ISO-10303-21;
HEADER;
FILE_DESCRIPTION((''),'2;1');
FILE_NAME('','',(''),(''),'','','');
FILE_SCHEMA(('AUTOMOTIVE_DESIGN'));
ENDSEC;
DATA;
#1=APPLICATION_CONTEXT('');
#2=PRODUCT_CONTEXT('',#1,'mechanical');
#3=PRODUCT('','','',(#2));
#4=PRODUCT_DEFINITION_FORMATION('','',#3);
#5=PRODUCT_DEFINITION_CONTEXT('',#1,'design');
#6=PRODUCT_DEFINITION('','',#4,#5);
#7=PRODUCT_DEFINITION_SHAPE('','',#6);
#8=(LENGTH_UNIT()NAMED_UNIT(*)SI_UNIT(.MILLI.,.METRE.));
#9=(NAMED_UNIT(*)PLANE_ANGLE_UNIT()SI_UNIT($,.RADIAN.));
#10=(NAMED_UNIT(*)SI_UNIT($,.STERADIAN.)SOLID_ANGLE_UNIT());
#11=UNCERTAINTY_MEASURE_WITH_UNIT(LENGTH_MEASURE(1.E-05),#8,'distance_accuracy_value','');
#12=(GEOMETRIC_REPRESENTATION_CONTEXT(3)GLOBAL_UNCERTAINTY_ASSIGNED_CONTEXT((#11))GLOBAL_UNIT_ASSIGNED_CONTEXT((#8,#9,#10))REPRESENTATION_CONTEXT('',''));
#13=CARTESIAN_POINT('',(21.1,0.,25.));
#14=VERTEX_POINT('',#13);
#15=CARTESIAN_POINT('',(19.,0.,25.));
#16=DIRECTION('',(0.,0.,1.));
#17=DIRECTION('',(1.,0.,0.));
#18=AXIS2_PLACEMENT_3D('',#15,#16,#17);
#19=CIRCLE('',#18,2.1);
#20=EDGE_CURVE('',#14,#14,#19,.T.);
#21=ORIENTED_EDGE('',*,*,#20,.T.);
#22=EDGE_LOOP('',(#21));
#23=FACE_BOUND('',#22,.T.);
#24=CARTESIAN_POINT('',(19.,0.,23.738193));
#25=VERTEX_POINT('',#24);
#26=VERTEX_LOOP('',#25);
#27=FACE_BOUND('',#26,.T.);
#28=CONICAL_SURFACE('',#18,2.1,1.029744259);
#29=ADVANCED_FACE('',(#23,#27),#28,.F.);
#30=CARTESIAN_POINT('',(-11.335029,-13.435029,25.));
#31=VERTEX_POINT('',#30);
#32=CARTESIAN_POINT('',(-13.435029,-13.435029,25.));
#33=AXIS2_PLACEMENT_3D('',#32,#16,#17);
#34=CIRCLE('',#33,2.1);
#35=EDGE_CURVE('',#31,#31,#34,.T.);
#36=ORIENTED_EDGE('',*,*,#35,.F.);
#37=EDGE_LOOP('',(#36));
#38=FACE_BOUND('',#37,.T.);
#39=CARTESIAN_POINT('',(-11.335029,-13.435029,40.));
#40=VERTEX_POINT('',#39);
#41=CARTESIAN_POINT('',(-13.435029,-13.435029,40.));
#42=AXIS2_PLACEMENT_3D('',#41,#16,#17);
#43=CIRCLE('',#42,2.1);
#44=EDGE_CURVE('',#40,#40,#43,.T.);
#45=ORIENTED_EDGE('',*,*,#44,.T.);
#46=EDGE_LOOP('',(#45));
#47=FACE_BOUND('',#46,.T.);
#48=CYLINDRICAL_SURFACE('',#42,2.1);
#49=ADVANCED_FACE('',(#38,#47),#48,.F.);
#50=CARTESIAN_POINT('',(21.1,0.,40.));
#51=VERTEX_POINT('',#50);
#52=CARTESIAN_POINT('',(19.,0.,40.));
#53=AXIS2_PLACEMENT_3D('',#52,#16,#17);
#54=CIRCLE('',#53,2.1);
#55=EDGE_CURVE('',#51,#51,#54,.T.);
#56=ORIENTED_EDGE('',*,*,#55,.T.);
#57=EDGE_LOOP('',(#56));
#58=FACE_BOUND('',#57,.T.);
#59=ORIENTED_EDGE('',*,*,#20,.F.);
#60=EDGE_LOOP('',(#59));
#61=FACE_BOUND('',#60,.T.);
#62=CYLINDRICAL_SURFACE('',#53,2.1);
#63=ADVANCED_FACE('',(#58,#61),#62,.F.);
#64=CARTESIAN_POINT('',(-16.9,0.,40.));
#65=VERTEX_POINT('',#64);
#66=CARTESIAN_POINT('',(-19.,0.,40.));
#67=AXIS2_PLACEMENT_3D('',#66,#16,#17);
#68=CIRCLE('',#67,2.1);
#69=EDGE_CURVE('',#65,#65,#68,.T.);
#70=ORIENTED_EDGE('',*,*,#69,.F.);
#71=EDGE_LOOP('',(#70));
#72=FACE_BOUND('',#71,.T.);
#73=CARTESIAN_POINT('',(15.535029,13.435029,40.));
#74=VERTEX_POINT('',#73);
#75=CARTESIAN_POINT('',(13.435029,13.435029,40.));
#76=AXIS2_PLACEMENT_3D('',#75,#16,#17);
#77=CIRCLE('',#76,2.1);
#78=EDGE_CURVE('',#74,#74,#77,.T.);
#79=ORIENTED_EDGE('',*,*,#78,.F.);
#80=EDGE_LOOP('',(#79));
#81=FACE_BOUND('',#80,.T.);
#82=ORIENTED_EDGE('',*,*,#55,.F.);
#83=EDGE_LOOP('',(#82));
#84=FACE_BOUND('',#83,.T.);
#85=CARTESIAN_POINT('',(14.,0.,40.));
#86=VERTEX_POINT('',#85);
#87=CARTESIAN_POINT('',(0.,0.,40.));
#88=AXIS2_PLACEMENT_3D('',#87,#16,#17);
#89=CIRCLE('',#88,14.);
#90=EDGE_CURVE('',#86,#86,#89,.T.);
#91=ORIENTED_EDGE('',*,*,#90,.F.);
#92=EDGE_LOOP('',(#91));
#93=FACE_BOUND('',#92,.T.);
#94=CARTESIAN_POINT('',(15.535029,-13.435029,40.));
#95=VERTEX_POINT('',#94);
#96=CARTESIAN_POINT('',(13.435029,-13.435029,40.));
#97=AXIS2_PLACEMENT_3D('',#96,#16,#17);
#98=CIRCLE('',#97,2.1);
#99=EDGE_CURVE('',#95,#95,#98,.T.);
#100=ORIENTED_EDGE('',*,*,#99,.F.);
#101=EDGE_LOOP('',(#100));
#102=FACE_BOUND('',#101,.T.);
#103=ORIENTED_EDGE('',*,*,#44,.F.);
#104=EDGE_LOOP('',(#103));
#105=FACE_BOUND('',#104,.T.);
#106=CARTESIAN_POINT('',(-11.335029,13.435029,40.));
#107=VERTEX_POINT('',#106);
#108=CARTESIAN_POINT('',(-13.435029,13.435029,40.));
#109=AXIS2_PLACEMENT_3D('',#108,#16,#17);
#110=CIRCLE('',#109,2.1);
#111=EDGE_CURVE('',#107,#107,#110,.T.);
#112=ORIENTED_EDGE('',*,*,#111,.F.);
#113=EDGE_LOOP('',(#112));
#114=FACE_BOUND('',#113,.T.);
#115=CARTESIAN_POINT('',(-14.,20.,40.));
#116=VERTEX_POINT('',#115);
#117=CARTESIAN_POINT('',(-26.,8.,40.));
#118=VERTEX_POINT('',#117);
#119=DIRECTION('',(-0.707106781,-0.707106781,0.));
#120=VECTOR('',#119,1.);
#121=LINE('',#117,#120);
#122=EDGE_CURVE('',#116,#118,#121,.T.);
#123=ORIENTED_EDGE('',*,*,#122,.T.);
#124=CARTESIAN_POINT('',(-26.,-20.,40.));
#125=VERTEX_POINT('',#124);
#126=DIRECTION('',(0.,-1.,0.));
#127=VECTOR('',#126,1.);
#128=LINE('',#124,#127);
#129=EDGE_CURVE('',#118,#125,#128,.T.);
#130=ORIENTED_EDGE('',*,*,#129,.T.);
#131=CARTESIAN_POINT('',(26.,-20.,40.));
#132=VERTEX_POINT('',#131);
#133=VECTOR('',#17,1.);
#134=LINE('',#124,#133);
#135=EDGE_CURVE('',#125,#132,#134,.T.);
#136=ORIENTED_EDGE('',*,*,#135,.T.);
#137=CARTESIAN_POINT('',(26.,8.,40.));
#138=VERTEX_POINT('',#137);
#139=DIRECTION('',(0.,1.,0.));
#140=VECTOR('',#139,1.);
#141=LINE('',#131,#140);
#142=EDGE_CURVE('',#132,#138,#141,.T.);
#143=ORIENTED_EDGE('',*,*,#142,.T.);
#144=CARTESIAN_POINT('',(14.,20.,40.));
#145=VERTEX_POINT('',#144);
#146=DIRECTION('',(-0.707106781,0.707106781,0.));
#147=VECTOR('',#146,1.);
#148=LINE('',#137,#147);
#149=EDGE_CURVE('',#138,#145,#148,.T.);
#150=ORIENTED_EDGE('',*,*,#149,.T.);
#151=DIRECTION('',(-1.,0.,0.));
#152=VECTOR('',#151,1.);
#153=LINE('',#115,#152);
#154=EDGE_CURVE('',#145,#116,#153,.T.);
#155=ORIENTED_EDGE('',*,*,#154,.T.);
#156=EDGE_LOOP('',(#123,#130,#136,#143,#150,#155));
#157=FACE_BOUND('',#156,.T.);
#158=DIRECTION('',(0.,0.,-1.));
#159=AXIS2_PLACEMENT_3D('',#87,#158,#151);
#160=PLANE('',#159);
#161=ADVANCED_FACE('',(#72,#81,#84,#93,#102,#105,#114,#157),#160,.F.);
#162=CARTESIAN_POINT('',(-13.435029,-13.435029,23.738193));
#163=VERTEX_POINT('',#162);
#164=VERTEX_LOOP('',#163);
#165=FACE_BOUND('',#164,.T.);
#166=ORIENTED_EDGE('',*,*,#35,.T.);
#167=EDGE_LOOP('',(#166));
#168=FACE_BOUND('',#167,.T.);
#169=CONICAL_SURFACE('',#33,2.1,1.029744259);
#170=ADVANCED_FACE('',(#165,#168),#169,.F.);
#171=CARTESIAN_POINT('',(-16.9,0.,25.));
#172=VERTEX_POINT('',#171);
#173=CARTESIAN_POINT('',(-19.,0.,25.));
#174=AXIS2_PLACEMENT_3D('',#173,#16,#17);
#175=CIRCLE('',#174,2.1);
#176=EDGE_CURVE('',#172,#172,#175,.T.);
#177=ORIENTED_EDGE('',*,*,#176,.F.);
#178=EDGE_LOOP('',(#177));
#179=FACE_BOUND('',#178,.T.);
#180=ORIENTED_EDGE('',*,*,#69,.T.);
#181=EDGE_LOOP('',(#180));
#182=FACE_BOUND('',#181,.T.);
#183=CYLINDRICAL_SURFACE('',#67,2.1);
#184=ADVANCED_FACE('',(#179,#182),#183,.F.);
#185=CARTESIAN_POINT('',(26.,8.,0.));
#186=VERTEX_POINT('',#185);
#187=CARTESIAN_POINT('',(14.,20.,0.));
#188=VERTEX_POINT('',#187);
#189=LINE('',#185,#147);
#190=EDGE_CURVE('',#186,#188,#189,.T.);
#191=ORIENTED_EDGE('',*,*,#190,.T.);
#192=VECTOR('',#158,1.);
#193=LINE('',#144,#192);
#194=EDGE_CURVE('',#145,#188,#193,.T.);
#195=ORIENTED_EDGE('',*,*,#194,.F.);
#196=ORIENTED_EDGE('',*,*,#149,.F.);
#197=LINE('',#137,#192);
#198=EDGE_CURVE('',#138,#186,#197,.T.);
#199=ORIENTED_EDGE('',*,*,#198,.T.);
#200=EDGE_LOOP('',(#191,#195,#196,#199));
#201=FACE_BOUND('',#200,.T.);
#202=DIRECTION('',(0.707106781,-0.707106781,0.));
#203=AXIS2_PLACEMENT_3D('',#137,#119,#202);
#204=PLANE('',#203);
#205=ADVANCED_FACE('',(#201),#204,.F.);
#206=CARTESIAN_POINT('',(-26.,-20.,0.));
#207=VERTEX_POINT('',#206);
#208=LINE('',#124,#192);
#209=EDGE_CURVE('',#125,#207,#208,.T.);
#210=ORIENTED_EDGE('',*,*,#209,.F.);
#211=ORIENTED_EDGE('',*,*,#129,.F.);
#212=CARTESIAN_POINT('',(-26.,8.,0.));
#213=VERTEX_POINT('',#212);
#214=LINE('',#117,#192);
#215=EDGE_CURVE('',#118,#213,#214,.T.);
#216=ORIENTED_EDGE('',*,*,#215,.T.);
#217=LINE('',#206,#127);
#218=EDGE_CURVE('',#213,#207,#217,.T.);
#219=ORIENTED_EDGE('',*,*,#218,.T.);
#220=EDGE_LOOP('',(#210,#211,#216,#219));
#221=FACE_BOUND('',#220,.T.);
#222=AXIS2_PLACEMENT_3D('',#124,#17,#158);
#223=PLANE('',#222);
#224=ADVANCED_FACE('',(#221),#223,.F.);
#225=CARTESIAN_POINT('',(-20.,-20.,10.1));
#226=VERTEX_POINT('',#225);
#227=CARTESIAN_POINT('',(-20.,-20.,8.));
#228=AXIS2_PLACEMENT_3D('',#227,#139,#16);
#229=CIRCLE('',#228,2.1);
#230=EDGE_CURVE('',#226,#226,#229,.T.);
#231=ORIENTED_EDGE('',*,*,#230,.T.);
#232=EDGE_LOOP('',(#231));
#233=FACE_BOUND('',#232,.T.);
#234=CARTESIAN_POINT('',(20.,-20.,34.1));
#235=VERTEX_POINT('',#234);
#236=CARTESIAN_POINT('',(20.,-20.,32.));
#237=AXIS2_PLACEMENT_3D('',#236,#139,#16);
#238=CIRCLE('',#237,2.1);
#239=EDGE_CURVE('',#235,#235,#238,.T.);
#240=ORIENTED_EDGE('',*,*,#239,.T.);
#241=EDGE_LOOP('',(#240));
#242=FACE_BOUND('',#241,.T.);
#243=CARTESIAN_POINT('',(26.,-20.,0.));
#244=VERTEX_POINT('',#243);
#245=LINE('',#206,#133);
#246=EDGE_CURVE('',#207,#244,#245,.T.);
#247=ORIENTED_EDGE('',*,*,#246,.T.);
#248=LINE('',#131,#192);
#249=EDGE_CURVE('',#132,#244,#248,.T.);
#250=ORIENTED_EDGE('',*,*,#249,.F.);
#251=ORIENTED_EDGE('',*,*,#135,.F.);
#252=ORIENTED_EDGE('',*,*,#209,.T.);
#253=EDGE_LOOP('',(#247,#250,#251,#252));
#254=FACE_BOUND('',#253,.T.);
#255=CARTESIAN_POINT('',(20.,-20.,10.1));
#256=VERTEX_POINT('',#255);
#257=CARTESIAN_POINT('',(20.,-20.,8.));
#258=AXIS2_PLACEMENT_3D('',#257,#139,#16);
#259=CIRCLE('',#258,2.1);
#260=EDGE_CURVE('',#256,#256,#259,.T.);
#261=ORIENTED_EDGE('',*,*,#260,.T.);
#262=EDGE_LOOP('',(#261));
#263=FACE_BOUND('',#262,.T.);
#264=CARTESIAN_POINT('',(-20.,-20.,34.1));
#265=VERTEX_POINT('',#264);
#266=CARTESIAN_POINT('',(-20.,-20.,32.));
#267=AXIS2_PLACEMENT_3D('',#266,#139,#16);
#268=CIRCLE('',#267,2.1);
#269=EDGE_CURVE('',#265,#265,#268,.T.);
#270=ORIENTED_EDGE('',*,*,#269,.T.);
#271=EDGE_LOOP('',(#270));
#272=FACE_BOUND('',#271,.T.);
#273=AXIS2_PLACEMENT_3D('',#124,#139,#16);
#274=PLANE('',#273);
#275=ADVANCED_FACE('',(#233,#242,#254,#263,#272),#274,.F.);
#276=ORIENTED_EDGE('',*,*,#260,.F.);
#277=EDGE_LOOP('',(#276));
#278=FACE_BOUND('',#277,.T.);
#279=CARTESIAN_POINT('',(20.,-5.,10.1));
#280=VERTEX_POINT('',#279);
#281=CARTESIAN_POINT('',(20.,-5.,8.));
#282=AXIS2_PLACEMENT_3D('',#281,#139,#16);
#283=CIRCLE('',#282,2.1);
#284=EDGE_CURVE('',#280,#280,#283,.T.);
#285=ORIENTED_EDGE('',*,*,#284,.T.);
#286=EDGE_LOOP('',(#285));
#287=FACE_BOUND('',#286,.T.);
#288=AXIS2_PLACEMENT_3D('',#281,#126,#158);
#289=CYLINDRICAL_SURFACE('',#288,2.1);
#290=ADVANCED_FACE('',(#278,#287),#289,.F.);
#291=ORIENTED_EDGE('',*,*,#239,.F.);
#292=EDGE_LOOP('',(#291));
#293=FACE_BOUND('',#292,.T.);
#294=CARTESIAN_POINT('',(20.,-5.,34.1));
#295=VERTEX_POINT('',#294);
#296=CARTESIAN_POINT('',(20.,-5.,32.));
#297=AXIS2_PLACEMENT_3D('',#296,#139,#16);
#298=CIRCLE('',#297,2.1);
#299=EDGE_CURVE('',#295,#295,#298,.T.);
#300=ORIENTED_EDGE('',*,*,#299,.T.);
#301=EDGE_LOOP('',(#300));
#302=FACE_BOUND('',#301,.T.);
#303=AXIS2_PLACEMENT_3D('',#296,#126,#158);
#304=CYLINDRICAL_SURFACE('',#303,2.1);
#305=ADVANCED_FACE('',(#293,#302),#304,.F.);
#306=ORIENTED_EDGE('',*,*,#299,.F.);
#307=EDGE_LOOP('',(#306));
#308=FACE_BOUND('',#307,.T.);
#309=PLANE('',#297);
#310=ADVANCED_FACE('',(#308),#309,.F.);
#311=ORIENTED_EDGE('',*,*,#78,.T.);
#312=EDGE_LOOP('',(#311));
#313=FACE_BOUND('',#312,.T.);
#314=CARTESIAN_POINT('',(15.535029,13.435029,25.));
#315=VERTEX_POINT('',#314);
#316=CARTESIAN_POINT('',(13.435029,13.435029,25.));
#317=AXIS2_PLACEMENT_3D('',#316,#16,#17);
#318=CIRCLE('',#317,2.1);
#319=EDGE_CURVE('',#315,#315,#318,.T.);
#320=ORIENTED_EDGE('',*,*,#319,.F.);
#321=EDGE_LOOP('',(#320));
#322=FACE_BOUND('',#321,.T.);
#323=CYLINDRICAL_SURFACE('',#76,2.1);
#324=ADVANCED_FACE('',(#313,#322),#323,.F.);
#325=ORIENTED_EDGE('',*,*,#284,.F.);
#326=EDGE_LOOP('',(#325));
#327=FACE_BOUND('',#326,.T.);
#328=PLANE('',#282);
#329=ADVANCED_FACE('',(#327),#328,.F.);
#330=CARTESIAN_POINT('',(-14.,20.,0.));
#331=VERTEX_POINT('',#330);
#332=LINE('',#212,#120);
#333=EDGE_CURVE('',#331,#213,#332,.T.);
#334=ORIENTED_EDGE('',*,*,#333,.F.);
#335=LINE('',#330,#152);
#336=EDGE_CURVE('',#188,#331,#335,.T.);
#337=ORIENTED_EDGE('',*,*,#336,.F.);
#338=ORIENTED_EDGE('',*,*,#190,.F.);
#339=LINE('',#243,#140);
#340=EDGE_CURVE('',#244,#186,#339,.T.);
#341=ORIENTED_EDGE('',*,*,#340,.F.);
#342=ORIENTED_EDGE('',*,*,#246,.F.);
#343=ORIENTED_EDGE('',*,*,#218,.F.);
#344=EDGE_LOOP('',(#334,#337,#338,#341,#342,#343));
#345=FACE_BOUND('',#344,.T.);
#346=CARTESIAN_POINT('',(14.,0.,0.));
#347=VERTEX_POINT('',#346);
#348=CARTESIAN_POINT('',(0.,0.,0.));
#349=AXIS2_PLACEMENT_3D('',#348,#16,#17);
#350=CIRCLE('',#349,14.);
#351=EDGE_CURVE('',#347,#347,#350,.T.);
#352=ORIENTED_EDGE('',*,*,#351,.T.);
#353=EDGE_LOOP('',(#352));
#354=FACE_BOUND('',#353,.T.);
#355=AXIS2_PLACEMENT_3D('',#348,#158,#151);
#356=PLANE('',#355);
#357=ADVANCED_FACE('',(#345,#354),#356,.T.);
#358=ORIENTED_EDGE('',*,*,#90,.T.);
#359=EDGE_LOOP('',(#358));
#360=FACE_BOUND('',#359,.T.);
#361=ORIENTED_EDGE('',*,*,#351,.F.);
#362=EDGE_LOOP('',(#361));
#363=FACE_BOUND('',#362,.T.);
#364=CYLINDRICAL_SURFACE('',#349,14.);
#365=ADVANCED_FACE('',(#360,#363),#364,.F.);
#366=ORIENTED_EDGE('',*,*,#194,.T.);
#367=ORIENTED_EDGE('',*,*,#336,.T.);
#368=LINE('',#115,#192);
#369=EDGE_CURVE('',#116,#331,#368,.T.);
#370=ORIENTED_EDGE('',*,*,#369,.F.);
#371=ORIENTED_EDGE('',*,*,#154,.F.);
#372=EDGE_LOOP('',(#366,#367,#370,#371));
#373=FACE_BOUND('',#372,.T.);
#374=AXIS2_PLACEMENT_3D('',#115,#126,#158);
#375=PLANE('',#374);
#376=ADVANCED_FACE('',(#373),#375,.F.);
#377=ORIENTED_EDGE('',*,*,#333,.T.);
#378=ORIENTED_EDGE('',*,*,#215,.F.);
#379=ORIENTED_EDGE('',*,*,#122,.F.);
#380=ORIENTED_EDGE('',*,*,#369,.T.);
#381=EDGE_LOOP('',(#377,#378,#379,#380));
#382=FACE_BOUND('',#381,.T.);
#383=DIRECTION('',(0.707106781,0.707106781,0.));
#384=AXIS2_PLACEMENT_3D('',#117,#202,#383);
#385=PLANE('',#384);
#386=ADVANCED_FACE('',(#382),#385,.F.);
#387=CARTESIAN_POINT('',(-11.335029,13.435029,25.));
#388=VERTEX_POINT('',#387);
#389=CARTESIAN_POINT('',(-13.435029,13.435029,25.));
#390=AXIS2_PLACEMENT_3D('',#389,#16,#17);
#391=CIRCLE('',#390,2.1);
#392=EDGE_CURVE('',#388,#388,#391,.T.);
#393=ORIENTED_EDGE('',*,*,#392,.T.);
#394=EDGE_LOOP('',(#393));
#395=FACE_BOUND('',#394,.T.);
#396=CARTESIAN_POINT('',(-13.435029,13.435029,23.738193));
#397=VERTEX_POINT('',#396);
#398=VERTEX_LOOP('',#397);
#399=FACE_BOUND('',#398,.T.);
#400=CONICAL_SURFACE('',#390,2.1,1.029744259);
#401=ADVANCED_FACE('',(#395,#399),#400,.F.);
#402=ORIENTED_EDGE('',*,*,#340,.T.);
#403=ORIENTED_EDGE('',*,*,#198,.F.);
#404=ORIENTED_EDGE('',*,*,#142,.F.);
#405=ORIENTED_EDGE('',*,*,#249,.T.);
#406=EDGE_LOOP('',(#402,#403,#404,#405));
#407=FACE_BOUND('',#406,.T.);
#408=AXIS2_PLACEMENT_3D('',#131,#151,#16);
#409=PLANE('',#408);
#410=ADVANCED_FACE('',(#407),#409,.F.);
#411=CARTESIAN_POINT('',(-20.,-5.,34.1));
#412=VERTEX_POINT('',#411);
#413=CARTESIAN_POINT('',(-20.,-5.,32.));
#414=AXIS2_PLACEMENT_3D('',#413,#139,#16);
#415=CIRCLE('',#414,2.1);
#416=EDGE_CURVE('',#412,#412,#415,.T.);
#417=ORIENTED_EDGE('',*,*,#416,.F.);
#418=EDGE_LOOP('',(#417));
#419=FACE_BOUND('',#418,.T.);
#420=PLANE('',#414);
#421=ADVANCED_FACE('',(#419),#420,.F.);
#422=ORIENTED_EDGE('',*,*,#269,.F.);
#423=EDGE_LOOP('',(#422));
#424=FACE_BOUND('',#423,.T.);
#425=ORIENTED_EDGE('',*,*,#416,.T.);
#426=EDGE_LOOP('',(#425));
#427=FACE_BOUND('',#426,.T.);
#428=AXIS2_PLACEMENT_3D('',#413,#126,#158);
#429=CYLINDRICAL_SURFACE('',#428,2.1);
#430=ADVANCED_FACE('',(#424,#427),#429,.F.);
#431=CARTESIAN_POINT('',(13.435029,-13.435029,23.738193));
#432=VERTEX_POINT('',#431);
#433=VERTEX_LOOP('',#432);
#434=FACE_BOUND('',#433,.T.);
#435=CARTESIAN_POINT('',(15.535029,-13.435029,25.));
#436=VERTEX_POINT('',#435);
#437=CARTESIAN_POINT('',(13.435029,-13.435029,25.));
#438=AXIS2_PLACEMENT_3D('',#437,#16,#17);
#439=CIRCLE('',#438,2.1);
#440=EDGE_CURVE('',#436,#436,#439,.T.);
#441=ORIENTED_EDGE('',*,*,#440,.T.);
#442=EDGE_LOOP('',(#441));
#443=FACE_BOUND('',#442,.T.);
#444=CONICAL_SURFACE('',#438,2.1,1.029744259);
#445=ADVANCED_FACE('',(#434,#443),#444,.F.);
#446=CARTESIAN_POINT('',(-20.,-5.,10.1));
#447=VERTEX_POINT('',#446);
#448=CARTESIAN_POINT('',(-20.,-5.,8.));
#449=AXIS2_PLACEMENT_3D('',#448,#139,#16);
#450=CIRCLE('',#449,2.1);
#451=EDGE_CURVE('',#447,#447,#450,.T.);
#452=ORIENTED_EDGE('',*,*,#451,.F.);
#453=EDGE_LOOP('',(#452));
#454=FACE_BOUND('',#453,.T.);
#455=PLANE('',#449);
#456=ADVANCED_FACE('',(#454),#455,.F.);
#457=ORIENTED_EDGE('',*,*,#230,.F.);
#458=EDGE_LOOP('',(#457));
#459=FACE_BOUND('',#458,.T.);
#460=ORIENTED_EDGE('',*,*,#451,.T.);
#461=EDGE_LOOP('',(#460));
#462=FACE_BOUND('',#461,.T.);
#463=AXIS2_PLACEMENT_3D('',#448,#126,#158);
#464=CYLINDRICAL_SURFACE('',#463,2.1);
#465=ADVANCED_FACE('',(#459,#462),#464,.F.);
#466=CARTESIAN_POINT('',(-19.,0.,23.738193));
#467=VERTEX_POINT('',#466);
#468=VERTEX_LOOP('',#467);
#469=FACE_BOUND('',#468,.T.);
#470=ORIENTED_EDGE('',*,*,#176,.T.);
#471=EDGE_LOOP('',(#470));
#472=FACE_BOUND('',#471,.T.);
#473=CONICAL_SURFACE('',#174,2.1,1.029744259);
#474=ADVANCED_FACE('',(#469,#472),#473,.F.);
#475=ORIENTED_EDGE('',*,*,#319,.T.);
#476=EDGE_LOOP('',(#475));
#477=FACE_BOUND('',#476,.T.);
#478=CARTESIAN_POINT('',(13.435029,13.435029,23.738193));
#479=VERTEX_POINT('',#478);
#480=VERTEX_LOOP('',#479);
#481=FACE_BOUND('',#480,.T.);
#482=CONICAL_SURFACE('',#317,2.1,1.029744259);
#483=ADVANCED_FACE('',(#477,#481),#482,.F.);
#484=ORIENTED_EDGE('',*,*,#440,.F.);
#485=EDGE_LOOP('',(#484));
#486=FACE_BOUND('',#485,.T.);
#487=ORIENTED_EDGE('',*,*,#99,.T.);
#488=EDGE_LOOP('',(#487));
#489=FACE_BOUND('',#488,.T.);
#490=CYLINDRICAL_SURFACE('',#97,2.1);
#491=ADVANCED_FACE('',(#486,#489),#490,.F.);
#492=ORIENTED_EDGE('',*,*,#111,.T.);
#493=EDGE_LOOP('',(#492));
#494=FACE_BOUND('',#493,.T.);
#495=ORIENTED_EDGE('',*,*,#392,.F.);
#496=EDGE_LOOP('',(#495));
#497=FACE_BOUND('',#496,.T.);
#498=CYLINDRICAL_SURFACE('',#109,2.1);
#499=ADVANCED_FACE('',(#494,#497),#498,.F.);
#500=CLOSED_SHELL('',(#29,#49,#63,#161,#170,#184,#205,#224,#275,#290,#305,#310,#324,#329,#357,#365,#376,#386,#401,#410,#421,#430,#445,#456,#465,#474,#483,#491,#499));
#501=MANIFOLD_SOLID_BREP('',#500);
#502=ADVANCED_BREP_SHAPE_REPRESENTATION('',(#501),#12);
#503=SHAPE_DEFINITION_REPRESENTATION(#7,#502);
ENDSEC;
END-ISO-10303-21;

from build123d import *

# Parameters (mm, degrees)
SALIENTE_EXTRUIR2_DEPTH   = 40
CROQUIS4_R                = 14
CORTAR_EXTRUIR2_DEPTH     = 41
TALADRO_ROSCADO_M51_D     = 4.2
TALADRO_ROSCADO_M51_DEPTH = 15
TALADRO_ROSCADO_M51_TIP   = 1.2618073
TALADRO_ROSCADO_M52_D     = 4.2
TALADRO_ROSCADO_M52_DEPTH = 15
TALADRO_ROSCADO_M52_TIP   = 1.2618073
TALADRO_ROSCADO_M53_D     = 4.2
TALADRO_ROSCADO_M53_DEPTH = 15
TALADRO_ROSCADO_M53_TIP   = 1.2618073
CROQUIS20_R               = 2.1
CORTAR_EXTRUIR3_DEPTH     = 15


with BuildPart() as part:
    # Croquis3 → Saliente-Extruir2 (new body)
    with BuildSketch(Plane.XY):
        Polygon((-26, 8), (-14, 20), (14, 20), (26, 8), (26, -20), (-26, -20), align=None)
    extrude(amount=SALIENTE_EXTRUIR2_DEPTH)

    # Croquis4 → Cortar-Extruir2 (cut, through all)
    with BuildSketch(Plane.XY.offset(40)):
        Circle(CROQUIS4_R)
    extrude(amount=-CORTAR_EXTRUIR2_DEPTH, mode=Mode.SUBTRACT)

    # Taladro roscado M51
    with Locations(Plane.XY.offset(40)):
        with Locations((-13.435028843, 13.435028843)):
            Hole(TALADRO_ROSCADO_M51_D / 2, depth=TALADRO_ROSCADO_M51_DEPTH)
            with Locations((0, 0, -(TALADRO_ROSCADO_M51_DEPTH + TALADRO_ROSCADO_M51_TIP / 2))):  # 118° drill point
                Cone(0, TALADRO_ROSCADO_M51_D / 2, TALADRO_ROSCADO_M51_TIP, mode=Mode.SUBTRACT)

    # Taladro roscado M52
    with Locations(Plane.XY.offset(40)):
        with Locations((-19, 0)):
            Hole(TALADRO_ROSCADO_M52_D / 2, depth=TALADRO_ROSCADO_M52_DEPTH)
            with Locations((0, 0, -(TALADRO_ROSCADO_M52_DEPTH + TALADRO_ROSCADO_M52_TIP / 2))):  # 118° drill point
                Cone(0, TALADRO_ROSCADO_M52_D / 2, TALADRO_ROSCADO_M52_TIP, mode=Mode.SUBTRACT)

    # Taladro roscado M53
    with Locations(Plane.XY.offset(40)):
        with Locations((-13.435028843, -13.435028843), (13.435028843, -13.435028843), (19, 0), (13.435028843, 13.435028843)):
            Hole(TALADRO_ROSCADO_M53_D / 2, depth=TALADRO_ROSCADO_M53_DEPTH)
            with Locations((0, 0, -(TALADRO_ROSCADO_M53_DEPTH + TALADRO_ROSCADO_M53_TIP / 2))):  # 118° drill point
                Cone(0, TALADRO_ROSCADO_M53_D / 2, TALADRO_ROSCADO_M53_TIP, mode=Mode.SUBTRACT)

    # Croquis20 → Cortar-Extruir3 (cut)
    with BuildSketch(Plane(origin=(0, -20, 0), x_dir=(1, 0, 0), z_dir=(0, 1, 0))):
        with Locations((-20, -32)):
            Circle(CROQUIS20_R)
        with Locations((20, -32)):
            Circle(CROQUIS20_R)
        with Locations((-20, -8)):
            Circle(CROQUIS20_R)
        with Locations((20, -8)):
            Circle(CROQUIS20_R)
    extrude(amount=CORTAR_EXTRUIR3_DEPTH, mode=Mode.SUBTRACT)


solid = part.part
